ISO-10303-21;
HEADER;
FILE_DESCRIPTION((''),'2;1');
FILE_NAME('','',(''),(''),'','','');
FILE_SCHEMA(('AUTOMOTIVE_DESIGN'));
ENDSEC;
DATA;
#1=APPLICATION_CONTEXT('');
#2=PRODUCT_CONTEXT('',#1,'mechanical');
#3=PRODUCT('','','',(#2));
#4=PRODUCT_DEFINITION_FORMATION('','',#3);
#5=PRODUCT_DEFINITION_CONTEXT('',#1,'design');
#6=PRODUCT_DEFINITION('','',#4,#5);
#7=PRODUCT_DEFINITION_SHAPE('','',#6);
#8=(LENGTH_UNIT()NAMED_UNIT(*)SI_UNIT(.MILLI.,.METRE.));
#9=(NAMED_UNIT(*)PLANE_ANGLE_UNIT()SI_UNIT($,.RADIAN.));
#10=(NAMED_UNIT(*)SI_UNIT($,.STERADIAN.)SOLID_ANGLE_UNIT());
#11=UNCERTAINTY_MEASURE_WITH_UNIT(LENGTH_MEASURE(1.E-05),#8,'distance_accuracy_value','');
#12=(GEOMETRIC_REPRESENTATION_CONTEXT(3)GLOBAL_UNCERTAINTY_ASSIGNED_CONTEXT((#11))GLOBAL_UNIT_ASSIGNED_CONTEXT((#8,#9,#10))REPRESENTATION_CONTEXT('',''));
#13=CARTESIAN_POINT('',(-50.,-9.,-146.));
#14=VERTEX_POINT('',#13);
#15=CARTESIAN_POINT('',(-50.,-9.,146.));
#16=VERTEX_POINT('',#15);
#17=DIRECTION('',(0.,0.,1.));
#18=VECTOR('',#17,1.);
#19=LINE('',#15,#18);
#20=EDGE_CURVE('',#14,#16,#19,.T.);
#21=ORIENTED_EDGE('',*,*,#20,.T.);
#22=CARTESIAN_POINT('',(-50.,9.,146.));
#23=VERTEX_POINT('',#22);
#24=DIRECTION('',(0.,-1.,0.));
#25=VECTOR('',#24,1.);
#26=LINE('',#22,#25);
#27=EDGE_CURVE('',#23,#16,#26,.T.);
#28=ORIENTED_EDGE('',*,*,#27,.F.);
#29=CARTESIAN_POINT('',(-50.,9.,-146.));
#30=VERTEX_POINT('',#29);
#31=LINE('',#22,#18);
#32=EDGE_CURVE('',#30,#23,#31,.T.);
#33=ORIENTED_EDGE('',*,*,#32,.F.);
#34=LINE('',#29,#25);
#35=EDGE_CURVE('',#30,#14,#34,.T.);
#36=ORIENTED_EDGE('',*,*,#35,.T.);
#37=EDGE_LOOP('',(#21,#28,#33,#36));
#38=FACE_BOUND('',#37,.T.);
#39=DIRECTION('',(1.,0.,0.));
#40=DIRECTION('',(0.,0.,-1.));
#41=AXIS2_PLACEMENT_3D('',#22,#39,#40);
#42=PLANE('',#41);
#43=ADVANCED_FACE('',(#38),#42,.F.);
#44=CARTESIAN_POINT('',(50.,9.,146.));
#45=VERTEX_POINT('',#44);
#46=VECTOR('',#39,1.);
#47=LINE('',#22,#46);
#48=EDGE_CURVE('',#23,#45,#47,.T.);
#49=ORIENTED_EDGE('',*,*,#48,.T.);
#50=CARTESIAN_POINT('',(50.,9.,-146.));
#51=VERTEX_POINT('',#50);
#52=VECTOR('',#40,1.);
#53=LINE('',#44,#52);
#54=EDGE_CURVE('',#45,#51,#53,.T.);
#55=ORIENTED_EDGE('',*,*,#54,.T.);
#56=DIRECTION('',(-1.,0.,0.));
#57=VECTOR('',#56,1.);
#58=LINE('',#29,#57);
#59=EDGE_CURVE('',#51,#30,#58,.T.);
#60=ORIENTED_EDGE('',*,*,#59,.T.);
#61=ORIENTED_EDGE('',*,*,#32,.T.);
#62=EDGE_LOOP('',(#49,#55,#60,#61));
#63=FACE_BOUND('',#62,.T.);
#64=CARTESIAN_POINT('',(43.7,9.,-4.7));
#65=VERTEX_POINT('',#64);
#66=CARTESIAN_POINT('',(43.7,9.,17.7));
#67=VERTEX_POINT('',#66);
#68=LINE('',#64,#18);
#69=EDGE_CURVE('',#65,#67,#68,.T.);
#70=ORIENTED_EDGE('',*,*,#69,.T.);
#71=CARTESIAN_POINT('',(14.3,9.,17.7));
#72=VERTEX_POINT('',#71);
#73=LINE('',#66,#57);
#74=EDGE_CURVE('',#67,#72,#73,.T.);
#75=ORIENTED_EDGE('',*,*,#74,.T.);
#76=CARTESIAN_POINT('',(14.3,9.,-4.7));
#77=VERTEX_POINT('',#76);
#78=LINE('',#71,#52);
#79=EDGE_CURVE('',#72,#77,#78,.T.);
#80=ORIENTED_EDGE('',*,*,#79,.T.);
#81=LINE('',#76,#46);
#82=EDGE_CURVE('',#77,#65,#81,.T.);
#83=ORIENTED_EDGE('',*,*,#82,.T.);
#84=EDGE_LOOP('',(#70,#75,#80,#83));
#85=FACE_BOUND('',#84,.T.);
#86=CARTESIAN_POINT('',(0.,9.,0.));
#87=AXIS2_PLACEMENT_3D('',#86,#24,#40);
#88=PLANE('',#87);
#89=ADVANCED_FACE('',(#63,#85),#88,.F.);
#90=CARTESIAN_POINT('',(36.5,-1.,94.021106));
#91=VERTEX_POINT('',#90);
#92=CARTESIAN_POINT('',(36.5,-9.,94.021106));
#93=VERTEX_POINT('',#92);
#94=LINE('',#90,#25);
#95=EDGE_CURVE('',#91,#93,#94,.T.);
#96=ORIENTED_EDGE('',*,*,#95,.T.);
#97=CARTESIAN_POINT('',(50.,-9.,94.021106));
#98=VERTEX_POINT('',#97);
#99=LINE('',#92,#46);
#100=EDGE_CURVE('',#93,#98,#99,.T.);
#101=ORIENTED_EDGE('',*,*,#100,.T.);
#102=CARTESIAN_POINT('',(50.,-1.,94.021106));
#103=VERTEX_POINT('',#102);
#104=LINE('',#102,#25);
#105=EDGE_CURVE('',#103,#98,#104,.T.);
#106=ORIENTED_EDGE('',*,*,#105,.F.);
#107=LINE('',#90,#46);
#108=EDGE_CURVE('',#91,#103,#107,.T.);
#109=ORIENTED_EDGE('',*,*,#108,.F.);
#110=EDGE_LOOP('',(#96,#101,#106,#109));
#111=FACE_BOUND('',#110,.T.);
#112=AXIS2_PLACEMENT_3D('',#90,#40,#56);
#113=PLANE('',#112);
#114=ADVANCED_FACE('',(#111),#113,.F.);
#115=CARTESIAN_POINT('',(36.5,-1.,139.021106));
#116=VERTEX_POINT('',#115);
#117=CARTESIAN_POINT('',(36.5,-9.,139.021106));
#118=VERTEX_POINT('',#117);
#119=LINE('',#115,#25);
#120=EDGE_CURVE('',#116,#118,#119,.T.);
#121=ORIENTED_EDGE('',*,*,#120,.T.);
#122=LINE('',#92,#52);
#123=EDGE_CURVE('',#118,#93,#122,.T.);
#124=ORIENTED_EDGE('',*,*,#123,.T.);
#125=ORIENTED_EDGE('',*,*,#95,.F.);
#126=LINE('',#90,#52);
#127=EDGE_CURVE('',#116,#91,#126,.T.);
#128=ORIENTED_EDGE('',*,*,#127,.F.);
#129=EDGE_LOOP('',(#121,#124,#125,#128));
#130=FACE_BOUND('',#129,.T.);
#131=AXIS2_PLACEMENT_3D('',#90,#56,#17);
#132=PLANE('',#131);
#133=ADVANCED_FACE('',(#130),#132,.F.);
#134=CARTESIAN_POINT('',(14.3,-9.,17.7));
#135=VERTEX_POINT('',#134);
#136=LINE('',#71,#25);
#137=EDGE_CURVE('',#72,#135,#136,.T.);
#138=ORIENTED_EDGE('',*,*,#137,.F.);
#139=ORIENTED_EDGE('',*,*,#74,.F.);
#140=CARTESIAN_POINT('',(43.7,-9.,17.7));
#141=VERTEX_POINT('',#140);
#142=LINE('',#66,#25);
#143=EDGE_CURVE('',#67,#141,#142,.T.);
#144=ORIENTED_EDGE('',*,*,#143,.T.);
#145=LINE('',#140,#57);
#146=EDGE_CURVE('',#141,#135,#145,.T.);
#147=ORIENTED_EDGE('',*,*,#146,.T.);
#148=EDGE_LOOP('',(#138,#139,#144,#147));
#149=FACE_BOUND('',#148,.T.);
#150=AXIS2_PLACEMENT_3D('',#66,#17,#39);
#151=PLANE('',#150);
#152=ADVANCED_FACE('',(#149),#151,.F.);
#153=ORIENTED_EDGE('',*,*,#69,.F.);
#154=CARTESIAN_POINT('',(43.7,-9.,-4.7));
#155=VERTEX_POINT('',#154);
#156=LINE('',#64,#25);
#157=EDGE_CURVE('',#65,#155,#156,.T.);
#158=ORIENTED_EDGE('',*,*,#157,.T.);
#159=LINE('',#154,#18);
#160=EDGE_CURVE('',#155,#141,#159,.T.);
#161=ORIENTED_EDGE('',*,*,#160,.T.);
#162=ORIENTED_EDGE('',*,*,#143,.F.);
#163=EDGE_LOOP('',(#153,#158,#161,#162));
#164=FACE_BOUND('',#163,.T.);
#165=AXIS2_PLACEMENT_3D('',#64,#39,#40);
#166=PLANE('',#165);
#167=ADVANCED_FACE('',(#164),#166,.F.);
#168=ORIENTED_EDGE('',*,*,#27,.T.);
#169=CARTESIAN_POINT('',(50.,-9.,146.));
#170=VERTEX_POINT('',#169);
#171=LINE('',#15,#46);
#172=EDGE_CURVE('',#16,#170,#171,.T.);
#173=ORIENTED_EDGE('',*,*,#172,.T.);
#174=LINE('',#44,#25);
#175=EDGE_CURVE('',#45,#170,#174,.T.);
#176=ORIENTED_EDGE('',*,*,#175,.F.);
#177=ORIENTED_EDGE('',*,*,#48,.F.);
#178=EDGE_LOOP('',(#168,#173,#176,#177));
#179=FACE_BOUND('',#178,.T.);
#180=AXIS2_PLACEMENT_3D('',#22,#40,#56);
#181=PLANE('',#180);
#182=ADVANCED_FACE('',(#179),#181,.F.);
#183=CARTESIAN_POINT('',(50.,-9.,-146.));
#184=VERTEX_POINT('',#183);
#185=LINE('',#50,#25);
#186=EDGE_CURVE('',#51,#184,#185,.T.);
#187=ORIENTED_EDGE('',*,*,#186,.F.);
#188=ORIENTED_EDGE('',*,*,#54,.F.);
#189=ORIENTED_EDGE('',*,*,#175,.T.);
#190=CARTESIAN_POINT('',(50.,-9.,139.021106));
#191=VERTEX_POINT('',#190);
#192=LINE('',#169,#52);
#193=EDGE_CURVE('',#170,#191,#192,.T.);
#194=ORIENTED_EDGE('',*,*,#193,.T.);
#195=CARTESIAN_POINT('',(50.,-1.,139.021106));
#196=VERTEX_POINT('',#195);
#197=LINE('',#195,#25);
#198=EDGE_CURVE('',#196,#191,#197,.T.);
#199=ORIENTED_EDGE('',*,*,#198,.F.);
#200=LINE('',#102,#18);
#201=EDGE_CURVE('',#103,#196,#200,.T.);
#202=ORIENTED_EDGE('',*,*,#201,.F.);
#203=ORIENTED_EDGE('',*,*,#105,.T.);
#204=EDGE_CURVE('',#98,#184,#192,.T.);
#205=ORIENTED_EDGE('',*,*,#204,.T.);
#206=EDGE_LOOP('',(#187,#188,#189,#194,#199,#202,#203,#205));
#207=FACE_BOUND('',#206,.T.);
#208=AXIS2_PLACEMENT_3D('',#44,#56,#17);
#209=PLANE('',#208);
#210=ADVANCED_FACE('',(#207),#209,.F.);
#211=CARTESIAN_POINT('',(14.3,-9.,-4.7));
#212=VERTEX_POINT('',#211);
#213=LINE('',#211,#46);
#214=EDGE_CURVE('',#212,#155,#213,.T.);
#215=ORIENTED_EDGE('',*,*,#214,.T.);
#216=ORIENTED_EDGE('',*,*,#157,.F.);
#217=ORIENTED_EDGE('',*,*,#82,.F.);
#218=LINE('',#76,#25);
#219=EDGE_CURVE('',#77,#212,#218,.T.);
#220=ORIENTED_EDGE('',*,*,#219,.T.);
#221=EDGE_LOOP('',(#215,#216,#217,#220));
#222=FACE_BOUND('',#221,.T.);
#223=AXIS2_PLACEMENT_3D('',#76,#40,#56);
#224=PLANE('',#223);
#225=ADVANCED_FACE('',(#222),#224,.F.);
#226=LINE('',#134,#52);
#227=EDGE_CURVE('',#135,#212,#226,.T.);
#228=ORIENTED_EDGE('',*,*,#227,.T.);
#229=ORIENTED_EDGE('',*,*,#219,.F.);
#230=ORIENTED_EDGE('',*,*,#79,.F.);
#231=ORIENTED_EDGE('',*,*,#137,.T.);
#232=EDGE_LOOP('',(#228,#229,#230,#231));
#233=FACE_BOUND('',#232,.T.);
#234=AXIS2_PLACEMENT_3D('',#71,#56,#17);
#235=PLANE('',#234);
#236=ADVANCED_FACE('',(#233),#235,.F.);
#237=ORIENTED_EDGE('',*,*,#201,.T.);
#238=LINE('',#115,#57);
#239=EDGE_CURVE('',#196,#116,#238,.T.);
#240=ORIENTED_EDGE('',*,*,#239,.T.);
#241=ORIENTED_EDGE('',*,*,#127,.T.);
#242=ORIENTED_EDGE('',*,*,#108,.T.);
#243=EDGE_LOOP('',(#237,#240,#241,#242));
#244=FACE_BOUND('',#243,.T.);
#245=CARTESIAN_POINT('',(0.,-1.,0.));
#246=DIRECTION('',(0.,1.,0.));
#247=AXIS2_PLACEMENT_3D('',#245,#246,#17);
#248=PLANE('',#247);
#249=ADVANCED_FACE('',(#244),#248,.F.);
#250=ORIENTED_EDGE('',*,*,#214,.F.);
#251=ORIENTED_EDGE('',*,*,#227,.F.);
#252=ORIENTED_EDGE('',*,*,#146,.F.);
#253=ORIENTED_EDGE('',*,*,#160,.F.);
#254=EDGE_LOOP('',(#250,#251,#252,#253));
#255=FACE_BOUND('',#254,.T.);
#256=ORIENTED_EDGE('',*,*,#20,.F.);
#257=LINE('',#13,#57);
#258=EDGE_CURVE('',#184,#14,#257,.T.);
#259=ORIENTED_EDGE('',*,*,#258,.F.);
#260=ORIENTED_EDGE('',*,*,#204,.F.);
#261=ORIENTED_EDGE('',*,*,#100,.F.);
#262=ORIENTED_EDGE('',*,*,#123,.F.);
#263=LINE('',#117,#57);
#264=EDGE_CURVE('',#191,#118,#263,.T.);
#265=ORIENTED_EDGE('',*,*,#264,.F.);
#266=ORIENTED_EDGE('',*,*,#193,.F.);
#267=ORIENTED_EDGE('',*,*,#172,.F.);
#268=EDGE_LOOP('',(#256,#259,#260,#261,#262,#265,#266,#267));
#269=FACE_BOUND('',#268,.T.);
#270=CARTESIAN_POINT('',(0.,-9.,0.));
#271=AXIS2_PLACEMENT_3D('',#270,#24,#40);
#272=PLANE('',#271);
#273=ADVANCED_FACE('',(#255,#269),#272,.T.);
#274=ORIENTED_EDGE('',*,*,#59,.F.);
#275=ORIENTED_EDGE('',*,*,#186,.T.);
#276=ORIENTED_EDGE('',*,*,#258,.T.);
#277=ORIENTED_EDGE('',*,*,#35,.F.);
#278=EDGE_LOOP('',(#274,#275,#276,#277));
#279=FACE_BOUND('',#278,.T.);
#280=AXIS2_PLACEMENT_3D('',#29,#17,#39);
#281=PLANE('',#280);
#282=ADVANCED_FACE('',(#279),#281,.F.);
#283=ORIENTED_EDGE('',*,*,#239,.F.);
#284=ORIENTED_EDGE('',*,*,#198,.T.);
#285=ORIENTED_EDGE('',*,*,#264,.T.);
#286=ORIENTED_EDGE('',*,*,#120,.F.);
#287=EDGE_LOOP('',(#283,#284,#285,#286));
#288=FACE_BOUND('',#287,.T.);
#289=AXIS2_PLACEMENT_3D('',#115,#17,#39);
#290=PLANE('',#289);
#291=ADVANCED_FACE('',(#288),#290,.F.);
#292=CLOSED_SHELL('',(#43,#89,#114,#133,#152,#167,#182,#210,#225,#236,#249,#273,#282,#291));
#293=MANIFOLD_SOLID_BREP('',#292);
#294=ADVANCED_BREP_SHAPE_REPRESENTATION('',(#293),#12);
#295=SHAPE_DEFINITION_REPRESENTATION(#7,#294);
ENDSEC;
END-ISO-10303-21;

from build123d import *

# Parameters (mm, degrees)
SKETCH1_W           = 100
SKETCH1_H           = 292
BOSS_EXTRUDE1_DEPTH = 9
SKETCH2_W           = 29.4
SKETCH2_H           = 22.4
CUT_EXTRUDE1_DEPTH  = 19
SKETCH3_W           = 13.5
SKETCH3_H           = 45
CUT_EXTRUDE2_DEPTH  = 8


with BuildPart() as part:
    # Sketch1 → Boss-Extrude1 (new body, symmetric)
    with BuildSketch(Plane(origin=(0, 0, 0), x_dir=(1, 0, 0), z_dir=(0, 1, 0))):
        Rectangle(SKETCH1_W, SKETCH1_H)
    extrude(amount=BOSS_EXTRUDE1_DEPTH, both=True)

    # Sketch2 → Cut-Extrude1 (cut, through all)
    with BuildSketch(Plane.XZ.offset(9)):
        with Locations((29, 6.5)):
            Rectangle(SKETCH2_W, SKETCH2_H)
    extrude(amount=-CUT_EXTRUDE1_DEPTH, mode=Mode.SUBTRACT)

    # Sketch3 → Cut-Extrude2 (cut)
    with BuildSketch(Plane.XZ.offset(9)):
        with Locations((43.25, 116.521105827)):
            Rectangle(SKETCH3_W, SKETCH3_H)
    extrude(amount=-CUT_EXTRUDE2_DEPTH, mode=Mode.SUBTRACT)


solid = part.part
